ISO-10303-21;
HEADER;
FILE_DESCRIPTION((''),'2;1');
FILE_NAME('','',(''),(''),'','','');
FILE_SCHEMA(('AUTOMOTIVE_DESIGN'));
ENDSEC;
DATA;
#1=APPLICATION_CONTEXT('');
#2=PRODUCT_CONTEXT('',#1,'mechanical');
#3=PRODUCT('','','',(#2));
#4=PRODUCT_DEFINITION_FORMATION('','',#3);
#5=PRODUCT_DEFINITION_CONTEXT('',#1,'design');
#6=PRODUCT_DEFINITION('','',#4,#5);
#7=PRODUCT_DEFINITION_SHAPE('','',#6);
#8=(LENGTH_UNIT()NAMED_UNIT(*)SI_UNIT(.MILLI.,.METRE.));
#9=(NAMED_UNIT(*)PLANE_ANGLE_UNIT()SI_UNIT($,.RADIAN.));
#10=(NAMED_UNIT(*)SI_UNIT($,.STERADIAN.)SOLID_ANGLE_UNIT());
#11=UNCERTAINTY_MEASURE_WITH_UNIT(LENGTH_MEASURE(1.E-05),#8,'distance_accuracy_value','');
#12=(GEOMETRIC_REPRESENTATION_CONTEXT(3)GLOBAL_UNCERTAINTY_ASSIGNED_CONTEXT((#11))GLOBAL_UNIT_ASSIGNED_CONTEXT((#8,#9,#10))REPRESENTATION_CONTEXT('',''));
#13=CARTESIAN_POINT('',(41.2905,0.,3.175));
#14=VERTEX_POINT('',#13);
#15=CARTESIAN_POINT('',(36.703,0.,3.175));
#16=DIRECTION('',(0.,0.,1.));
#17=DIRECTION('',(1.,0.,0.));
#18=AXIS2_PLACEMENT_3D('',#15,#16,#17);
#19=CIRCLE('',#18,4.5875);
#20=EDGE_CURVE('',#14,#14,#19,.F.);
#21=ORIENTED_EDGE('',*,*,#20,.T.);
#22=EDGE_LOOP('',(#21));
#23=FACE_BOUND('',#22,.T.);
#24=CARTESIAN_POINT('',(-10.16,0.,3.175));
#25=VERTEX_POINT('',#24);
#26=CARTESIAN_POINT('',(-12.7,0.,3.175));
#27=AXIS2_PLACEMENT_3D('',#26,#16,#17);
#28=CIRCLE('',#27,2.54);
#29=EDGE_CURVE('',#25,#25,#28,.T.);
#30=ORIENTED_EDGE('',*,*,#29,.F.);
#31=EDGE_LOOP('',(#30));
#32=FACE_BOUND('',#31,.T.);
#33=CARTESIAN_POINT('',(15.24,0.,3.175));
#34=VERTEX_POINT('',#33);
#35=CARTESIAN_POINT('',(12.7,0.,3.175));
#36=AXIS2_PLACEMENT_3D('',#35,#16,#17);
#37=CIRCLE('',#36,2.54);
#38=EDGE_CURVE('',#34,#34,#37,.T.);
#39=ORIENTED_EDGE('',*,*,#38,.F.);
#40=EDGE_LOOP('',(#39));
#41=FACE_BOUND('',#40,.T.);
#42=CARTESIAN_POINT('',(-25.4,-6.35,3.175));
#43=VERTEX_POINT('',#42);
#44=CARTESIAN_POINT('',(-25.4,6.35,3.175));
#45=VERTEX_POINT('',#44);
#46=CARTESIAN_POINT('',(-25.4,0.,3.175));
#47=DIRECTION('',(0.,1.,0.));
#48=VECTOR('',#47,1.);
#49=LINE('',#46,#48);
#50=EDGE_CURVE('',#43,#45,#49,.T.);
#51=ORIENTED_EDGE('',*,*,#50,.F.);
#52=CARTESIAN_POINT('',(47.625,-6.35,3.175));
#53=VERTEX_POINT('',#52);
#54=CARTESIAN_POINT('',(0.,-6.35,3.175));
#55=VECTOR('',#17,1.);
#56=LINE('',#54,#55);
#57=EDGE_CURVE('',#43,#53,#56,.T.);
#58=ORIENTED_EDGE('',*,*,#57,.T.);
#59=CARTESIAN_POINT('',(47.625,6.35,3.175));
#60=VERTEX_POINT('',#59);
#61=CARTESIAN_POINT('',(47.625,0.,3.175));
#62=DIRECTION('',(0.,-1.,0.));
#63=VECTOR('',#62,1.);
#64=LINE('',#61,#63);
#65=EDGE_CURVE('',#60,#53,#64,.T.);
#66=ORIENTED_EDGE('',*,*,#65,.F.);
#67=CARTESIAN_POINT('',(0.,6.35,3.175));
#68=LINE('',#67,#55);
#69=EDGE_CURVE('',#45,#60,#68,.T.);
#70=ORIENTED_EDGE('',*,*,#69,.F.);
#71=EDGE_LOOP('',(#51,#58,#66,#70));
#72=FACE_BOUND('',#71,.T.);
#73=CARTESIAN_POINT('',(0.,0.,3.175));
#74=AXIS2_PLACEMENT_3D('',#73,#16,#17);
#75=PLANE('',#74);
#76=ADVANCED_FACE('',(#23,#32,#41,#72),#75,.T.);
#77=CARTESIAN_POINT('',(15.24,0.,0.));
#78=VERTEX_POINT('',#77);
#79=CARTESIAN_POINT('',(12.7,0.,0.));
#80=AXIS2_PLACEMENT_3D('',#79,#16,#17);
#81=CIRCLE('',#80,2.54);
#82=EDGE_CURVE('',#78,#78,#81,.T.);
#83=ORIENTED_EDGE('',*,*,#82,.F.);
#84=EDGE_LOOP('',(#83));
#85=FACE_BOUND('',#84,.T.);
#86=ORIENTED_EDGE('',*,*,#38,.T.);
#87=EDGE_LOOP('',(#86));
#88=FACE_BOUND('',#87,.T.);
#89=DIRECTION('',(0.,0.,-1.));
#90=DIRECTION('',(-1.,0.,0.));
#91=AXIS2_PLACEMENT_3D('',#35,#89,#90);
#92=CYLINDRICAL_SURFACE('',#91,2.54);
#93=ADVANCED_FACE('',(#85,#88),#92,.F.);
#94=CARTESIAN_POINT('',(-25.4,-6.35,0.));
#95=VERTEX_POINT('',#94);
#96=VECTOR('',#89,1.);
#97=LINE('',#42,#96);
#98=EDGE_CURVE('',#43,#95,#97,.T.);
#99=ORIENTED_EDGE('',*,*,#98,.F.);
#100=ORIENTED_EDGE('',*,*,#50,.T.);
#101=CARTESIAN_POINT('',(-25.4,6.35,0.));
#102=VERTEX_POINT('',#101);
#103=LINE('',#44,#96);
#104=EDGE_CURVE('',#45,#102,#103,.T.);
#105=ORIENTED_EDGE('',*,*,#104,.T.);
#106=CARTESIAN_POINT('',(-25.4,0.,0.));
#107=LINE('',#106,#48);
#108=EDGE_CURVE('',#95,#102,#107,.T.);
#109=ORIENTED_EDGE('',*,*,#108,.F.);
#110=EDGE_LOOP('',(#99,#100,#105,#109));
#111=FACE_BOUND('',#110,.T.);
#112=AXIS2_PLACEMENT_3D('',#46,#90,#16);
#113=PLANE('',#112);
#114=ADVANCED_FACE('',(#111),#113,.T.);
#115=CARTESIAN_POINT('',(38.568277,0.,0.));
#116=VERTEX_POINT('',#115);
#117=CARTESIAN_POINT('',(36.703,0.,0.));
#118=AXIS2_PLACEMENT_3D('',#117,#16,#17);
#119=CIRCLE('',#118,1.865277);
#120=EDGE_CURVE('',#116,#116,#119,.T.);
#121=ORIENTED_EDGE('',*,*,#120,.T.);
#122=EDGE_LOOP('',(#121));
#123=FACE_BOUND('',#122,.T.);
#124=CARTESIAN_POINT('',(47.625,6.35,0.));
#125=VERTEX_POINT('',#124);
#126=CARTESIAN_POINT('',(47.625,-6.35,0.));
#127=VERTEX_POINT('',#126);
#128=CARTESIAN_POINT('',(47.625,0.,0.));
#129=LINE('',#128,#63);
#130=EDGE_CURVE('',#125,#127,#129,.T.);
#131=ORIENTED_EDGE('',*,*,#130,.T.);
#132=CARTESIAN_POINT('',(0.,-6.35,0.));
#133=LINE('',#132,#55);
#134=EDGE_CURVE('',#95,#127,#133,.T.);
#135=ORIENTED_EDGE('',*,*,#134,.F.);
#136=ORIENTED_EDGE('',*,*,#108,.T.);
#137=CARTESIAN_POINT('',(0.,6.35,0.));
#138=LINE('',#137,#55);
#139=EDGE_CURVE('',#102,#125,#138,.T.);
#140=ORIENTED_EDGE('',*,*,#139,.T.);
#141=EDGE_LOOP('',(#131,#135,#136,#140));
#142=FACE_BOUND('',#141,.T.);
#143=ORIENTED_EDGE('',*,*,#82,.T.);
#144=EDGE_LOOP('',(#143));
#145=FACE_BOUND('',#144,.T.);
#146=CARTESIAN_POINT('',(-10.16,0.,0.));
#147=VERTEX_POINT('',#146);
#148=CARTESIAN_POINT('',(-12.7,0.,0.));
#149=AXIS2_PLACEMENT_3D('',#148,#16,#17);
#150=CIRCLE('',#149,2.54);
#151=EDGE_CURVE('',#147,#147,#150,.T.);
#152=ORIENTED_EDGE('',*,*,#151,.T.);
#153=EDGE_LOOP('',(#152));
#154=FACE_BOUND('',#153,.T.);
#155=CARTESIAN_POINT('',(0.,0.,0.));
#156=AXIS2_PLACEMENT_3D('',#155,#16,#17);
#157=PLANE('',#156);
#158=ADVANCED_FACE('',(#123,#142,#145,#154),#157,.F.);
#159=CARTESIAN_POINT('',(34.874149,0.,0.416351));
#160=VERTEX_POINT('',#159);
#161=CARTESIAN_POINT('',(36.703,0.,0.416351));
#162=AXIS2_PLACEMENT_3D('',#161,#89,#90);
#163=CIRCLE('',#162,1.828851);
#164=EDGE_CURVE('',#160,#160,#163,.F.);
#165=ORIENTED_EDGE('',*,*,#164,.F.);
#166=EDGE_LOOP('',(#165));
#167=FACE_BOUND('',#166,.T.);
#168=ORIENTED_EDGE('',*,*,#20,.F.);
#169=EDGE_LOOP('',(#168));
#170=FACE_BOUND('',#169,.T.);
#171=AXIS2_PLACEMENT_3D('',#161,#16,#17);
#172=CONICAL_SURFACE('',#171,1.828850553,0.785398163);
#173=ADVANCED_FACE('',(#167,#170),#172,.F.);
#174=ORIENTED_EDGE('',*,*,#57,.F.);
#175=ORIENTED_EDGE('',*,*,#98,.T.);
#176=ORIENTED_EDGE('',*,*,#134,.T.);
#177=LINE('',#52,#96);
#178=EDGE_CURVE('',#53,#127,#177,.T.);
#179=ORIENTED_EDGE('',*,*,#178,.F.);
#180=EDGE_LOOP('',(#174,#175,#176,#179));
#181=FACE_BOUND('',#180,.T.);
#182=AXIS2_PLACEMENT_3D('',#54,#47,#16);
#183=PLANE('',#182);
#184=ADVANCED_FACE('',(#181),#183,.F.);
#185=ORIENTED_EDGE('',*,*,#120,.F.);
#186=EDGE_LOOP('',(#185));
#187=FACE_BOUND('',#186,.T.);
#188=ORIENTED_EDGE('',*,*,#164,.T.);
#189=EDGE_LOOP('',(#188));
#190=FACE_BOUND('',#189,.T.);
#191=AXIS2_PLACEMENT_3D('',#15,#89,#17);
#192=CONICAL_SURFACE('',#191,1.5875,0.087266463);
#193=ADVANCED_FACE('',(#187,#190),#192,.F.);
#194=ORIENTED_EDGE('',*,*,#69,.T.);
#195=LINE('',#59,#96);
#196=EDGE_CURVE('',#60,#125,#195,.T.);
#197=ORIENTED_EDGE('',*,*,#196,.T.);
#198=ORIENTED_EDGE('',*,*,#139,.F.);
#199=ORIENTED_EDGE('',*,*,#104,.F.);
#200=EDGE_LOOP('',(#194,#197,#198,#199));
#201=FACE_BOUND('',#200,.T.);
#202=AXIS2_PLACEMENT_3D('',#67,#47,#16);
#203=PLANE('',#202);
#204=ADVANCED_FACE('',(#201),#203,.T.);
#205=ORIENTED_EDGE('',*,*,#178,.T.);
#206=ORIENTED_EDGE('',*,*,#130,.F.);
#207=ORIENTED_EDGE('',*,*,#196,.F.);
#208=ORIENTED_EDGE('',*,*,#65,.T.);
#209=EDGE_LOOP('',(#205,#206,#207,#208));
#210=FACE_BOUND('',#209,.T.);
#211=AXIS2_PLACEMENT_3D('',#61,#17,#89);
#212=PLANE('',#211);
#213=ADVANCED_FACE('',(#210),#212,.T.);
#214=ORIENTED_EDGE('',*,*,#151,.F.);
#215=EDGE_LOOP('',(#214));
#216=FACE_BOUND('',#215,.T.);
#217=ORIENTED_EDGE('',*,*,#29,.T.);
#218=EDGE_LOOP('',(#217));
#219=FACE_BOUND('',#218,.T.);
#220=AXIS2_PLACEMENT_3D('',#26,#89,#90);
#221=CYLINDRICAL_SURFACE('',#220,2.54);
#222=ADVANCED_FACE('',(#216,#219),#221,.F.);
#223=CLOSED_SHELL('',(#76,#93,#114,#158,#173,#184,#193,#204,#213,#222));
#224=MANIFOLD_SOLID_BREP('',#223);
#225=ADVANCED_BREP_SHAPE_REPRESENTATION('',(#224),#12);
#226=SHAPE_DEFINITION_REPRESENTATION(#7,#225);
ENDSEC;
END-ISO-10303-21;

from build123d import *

# Parameters (mm, degrees)
SKETCH1_R           = 2.54
BOSS_EXTRUDE1_DEPTH = 3.175
SKETCH3_R           = 1.5875
CUT_EXTRUDE1_DEPTH  = 49.15125907
CUT_EXTRUDE1_DRAFT  = 5
CHAMFER1_SIZE       = 3
CHAMFER1_SIZE2      = 2.769187039


with BuildPart() as part:
    # Sketch1 → Boss-Extrude1 (new body)
    with BuildSketch(Plane.XY):
        Polygon((47.625, 6.35), (47.625, -6.35), (25.4, -6.35), (-25.4, -6.35), (-25.4, 6.35), (25.4, 6.35), align=None)
        with Locations((12.7, 0)):
            Circle(SKETCH1_R, mode=Mode.SUBTRACT)
        with Locations((-12.7, 0)):
            Circle(SKETCH1_R, mode=Mode.SUBTRACT)
    extrude(amount=BOSS_EXTRUDE1_DEPTH)


with BuildPart() as cut_extrude1_tool:
    # Sketch3 → Cut-Extrude1 (with draft: the straight prism first)
    with BuildSketch(Plane.XY.offset(3.175)):
        with Locations((36.703, 0)):
            Circle(SKETCH3_R)
    extrude(amount=-CUT_EXTRUDE1_DEPTH)
    # Cut-Extrude1: the draft: its side faces are tilted about the plane it starts from
    cut_extrude1_sides = [cut_extrude1_tool.faces().sort_by_distance(p)[0] for p in [
        (35.1155, 0, -21.400629535),
    ]]
    draft(cut_extrude1_sides, Plane.XY.offset(3.175), CUT_EXTRUDE1_DRAFT)


with BuildPart() as part_1:
    add(part.part)

    # Cut-Extrude1: cut by cut_extrude1_tool
    add(cut_extrude1_tool.part, mode=Mode.SUBTRACT)

    # Chamfer1
    chamfer1_edges = [part_1.edges().sort_by_distance(p)[0] for p in [
        (35.1155, 0, 3.175),
    ]]
    chamfer1_side = [part_1.faces().sort_by_distance(p)[0] for p in [
        (46.883788787, 0, 3.175),
    ]]
    chamfer(chamfer1_edges, length=CHAMFER1_SIZE, length2=CHAMFER1_SIZE2, reference=chamfer1_side[0])


solid = part_1.part
